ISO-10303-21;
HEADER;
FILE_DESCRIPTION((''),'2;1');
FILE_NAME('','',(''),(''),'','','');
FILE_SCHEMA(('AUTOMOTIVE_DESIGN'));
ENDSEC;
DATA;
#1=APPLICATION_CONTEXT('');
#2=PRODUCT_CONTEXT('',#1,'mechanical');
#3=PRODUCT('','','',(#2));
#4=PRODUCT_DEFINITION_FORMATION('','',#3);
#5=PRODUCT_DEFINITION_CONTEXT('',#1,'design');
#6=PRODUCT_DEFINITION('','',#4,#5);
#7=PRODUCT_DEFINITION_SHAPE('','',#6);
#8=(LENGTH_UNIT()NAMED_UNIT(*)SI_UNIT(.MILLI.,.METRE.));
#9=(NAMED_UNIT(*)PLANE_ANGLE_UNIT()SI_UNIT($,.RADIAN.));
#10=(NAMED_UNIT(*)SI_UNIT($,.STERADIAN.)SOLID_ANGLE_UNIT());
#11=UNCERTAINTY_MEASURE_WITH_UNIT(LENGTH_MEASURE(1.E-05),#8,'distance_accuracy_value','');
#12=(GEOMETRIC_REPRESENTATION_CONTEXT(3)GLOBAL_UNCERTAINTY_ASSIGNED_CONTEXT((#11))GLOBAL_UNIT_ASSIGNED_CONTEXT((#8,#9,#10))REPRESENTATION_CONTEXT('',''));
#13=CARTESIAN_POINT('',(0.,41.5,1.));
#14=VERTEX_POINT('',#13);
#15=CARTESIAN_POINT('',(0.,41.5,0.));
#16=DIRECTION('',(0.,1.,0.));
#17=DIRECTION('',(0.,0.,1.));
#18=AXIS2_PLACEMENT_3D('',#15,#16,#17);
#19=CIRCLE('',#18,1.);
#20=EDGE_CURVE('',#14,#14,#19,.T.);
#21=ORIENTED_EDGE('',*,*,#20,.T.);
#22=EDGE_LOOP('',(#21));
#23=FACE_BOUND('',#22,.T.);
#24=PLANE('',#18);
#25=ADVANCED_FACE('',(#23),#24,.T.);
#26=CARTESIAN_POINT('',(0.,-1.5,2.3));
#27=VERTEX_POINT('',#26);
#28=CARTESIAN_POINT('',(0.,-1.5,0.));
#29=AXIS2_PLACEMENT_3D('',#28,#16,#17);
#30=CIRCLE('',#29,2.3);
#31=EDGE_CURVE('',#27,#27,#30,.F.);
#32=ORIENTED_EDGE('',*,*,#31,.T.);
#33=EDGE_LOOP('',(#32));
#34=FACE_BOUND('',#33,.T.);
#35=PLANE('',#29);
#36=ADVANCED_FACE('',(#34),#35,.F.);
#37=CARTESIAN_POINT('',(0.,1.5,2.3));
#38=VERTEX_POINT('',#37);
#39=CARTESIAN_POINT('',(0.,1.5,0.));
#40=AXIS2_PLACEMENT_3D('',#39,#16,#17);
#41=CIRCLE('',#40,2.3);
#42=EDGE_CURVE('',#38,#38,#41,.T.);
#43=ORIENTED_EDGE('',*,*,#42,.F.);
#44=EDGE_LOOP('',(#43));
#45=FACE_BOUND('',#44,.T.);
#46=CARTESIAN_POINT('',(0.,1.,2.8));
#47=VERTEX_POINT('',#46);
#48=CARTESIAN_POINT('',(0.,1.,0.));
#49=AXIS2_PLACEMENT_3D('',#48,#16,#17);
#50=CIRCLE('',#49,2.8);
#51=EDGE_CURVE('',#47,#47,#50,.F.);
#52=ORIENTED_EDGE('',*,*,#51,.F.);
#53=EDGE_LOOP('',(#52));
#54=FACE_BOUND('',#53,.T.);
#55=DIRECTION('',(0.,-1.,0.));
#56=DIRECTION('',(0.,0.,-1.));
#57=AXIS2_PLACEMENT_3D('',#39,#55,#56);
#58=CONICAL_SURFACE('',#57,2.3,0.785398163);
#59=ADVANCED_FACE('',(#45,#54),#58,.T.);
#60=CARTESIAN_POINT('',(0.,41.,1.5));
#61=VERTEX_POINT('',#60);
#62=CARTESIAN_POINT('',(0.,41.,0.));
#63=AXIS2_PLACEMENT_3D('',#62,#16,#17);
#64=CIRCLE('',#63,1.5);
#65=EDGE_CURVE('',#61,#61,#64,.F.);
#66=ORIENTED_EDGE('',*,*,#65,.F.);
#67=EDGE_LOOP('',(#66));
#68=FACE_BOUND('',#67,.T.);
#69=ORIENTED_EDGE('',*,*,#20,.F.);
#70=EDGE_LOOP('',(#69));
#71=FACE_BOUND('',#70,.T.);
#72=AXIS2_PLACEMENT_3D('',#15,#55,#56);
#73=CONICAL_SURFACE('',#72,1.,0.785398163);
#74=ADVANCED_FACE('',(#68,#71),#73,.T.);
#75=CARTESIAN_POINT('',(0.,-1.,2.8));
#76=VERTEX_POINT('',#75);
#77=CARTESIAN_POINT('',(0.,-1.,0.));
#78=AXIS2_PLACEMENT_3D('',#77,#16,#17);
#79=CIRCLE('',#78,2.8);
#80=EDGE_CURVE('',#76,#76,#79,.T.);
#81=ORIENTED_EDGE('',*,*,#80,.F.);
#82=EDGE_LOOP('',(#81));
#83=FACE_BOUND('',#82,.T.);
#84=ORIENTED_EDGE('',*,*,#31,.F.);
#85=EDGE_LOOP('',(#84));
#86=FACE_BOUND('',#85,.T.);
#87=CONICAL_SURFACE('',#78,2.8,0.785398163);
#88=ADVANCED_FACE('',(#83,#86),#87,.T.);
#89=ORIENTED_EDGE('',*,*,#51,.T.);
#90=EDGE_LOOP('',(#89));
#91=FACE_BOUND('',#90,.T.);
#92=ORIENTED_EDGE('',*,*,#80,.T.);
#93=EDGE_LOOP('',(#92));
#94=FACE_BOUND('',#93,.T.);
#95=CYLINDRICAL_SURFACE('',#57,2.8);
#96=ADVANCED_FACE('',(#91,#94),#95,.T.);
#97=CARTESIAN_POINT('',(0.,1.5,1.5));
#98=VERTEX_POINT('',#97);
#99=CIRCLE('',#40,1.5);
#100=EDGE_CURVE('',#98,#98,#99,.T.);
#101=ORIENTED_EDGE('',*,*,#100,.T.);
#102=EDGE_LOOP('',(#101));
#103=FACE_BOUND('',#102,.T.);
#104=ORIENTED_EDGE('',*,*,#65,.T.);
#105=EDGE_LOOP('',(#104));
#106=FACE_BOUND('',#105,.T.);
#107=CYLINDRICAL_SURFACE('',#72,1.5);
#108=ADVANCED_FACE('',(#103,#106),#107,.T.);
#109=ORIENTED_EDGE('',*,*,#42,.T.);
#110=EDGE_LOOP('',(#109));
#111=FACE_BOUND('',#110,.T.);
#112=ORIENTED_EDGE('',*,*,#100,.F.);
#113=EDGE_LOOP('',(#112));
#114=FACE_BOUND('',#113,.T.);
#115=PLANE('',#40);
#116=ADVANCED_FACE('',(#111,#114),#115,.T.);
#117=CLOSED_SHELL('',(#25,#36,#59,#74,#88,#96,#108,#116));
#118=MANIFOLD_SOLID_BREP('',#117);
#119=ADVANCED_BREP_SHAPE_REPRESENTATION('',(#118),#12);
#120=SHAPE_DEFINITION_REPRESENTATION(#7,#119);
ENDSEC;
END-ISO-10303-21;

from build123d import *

# Parameters (mm, degrees)
SKETCH1_R           = 2.8
BOSS_EXTRUDE1_DEPTH = 1.5
SKETCH2_R           = 1.5
BOSS_EXTRUDE2_DEPTH = 40
CHAMFER1_SIZE       = 0.5
CHAMFER2_SIZE       = 0.5


with BuildPart() as part:
    # Sketch1 → Boss-Extrude1 (new body, symmetric)
    with BuildSketch(Plane(origin=(0, 0, 0), x_dir=(1, 0, 0), z_dir=(0, 1, 0))):
        Circle(SKETCH1_R)
    extrude(amount=BOSS_EXTRUDE1_DEPTH, both=True)

    # Sketch2 → Boss-Extrude2 (add)
    with BuildSketch(Plane(origin=(0, 1.5, 0), x_dir=(1, 0, 0), z_dir=(0, 1, 0))):
        Circle(SKETCH2_R)
    extrude(amount=BOSS_EXTRUDE2_DEPTH)

    # Chamfer1
    chamfer1_edges = [part.edges().sort_by_distance(p)[0] for p in [
        (-1.5, 41.5, 0),
    ]]
    chamfer(chamfer1_edges, length=CHAMFER1_SIZE)

    # Chamfer2
    chamfer2_edges = [part.edges().sort_by_distance(p)[0] for p in [
        (-2.8, -1.5, 0),
        (-2.8, 1.5, 0),
    ]]
    chamfer(chamfer2_edges, length=CHAMFER2_SIZE)


solid = part.part
